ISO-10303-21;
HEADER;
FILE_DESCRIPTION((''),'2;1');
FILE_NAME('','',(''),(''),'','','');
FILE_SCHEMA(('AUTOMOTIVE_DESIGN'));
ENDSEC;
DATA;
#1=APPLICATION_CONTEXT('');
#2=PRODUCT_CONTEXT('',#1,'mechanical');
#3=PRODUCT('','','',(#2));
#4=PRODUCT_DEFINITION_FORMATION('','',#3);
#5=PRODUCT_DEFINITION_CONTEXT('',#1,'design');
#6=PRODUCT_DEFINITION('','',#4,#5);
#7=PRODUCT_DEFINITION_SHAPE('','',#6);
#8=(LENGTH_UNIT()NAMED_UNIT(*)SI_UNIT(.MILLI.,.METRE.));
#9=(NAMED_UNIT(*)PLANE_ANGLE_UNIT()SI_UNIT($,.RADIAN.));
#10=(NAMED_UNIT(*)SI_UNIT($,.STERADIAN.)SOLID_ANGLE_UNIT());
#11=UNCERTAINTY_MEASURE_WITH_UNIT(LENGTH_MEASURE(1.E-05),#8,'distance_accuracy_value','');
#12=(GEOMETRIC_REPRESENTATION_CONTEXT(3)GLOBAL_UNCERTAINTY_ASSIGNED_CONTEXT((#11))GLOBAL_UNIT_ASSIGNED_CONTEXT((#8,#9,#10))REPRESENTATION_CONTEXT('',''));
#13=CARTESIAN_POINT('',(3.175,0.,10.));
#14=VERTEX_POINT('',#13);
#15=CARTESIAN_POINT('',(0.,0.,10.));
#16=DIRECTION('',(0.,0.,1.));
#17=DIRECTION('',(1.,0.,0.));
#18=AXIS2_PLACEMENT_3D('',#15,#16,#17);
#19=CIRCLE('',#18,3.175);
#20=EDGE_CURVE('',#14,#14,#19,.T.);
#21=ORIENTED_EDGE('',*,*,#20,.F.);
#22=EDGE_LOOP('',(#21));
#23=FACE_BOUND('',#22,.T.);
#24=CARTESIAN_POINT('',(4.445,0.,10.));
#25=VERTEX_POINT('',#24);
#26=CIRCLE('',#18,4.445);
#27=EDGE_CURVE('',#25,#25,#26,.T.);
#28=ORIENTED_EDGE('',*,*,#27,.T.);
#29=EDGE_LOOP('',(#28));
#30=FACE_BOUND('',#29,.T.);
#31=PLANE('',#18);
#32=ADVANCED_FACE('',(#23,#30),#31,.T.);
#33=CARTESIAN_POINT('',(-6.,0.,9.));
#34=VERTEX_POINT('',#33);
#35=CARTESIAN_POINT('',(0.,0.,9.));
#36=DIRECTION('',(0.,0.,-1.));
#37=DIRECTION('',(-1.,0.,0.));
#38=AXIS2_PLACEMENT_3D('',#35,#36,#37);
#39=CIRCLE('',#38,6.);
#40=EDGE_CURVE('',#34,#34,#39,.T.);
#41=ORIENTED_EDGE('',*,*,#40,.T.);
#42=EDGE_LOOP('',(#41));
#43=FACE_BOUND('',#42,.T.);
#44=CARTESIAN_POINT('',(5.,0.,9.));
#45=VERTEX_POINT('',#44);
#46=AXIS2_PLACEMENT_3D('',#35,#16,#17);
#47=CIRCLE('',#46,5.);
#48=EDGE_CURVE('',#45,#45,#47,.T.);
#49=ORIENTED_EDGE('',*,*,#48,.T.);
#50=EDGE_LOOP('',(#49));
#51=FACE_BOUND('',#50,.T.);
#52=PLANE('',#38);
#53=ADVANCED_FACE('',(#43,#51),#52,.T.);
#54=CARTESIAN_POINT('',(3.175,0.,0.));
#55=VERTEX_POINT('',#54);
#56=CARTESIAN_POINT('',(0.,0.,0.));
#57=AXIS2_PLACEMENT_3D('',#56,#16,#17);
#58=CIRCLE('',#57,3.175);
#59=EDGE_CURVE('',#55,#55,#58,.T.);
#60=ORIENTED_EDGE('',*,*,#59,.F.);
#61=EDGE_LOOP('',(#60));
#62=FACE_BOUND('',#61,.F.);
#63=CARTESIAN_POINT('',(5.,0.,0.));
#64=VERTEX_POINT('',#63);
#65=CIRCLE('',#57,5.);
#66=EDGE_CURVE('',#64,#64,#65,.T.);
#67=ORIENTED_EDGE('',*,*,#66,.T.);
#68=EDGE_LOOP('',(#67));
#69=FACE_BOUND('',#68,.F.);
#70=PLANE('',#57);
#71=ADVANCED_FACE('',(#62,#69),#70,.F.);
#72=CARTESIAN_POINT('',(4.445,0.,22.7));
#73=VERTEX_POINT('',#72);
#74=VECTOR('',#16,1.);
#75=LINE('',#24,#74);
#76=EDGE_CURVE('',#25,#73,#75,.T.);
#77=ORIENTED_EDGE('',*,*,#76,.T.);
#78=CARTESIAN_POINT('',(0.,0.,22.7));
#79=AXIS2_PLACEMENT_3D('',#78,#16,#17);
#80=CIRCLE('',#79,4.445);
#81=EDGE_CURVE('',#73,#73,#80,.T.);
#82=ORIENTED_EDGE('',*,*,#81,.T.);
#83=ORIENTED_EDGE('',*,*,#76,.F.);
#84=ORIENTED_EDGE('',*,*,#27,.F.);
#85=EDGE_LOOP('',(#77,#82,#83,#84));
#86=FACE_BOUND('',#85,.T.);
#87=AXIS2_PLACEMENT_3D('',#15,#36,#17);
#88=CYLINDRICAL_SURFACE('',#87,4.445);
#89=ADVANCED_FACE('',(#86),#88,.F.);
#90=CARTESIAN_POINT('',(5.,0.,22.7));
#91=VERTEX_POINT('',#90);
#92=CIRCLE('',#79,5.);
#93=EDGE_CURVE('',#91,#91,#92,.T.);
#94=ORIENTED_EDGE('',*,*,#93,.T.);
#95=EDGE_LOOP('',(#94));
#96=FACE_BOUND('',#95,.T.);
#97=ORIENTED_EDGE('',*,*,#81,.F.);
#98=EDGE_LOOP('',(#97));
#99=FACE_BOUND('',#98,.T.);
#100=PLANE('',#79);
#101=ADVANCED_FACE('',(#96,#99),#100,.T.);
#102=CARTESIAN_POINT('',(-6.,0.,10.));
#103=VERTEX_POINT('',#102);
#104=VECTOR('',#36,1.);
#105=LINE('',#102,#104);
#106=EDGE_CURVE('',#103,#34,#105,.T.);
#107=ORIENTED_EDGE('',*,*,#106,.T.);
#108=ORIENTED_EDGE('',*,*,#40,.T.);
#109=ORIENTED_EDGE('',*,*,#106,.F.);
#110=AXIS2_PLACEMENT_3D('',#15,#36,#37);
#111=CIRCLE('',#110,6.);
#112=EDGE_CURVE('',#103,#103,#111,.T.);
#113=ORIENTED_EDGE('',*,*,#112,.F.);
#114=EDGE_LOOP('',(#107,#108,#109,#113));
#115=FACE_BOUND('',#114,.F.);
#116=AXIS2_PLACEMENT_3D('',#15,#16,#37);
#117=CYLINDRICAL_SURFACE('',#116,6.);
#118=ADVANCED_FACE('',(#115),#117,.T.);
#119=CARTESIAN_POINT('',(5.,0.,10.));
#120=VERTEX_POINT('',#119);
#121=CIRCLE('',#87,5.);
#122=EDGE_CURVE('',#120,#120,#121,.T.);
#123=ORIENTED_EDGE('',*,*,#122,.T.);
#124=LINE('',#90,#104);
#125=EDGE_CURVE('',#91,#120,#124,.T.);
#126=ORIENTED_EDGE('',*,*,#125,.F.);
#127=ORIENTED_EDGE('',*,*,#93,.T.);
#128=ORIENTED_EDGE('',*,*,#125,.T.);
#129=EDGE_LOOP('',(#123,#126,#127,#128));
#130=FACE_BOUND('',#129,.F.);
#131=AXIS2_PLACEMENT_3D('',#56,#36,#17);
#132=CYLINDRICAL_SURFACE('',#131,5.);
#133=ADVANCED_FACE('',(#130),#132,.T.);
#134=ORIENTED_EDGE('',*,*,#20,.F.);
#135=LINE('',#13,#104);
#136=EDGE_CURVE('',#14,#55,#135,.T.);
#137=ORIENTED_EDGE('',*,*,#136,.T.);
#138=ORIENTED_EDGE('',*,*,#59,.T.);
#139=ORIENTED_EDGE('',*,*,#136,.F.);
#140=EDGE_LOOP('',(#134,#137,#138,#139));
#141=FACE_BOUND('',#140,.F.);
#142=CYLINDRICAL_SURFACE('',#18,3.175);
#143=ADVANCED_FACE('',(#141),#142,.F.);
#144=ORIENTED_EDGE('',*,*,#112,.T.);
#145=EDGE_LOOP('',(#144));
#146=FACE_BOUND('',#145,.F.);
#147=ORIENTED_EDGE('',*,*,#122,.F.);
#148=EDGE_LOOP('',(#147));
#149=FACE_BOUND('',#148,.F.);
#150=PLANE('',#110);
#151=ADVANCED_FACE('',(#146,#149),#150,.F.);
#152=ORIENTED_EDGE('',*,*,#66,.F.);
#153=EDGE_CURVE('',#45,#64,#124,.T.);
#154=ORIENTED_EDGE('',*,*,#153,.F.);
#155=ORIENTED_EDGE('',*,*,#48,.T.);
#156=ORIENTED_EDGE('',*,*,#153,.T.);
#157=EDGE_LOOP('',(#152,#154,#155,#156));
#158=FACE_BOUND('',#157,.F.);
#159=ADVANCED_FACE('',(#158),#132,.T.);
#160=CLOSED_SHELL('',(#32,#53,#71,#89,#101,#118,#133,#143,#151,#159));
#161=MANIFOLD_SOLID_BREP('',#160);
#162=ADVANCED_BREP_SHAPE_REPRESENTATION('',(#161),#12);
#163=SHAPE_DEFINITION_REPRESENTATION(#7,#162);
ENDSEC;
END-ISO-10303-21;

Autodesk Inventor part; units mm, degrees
ref_plane "YZ Plane" through (0, 0, 0) normal (1, 0, 0) x (0, 1, 0)
ref_plane "XZ Plane" through (0, 0, 0) normal (0, 1, 0) x (-1, 0, 0)
sketch "Sketch1" plane through (0, 0, 0) normal (0, 0, 1) x (1, 0, 0)
  circle A0 centre (0, 0) radius 5
  dimension "d0" = 10
extrude "Extrusion1" add sketch "Sketch1" along normal blind 10
sketch "Sketch2" plane through (0, 0, 10) normal (0, 0, 1) x (1, 0, 0)
  circle A0 centre (0, 0) radius 5
  circle A1 centre (0, 0) radius 4.445
  dimension "d3" = 8.89
extrude "Extrusion2" add sketch "Sketch2" along normal blind 12.7
sketch "Sketch3" plane through (0, 0, 10) normal (0, 0, 1) x (1, 0, 0)
  circle A0 centre (0, 0) radius 3.175
  dimension "d8" = 6.35
extrude "Extrusion3" cut sketch "Sketch3" against normal blind 12.7
thread "Thread2" size "1/4-20 UNC" class "2B" standard "ANSI Unified Screw Threads" length 25.4
ref_plane "Work Plane1" through (0, 0, 10) normal (0, 0, -1) x (-1, 0, 0)
sketch "Sketch4" plane through (0, 0, 10) normal (0, 0, -1) x (-1, 0, 0)
  circle A0 centre (0, 0) radius 6
  circle A1 centre (0, 0) radius 5 projected
  dimension "d14" = 12
extrude "Extrusion4" add sketch "Sketch4" along normal blind 1
thread "Thread3" size "7/16-14 UNC" class "2A" standard "ANSI Unified Screw Threads" full length
properties part number "Pedal Connector Right"
